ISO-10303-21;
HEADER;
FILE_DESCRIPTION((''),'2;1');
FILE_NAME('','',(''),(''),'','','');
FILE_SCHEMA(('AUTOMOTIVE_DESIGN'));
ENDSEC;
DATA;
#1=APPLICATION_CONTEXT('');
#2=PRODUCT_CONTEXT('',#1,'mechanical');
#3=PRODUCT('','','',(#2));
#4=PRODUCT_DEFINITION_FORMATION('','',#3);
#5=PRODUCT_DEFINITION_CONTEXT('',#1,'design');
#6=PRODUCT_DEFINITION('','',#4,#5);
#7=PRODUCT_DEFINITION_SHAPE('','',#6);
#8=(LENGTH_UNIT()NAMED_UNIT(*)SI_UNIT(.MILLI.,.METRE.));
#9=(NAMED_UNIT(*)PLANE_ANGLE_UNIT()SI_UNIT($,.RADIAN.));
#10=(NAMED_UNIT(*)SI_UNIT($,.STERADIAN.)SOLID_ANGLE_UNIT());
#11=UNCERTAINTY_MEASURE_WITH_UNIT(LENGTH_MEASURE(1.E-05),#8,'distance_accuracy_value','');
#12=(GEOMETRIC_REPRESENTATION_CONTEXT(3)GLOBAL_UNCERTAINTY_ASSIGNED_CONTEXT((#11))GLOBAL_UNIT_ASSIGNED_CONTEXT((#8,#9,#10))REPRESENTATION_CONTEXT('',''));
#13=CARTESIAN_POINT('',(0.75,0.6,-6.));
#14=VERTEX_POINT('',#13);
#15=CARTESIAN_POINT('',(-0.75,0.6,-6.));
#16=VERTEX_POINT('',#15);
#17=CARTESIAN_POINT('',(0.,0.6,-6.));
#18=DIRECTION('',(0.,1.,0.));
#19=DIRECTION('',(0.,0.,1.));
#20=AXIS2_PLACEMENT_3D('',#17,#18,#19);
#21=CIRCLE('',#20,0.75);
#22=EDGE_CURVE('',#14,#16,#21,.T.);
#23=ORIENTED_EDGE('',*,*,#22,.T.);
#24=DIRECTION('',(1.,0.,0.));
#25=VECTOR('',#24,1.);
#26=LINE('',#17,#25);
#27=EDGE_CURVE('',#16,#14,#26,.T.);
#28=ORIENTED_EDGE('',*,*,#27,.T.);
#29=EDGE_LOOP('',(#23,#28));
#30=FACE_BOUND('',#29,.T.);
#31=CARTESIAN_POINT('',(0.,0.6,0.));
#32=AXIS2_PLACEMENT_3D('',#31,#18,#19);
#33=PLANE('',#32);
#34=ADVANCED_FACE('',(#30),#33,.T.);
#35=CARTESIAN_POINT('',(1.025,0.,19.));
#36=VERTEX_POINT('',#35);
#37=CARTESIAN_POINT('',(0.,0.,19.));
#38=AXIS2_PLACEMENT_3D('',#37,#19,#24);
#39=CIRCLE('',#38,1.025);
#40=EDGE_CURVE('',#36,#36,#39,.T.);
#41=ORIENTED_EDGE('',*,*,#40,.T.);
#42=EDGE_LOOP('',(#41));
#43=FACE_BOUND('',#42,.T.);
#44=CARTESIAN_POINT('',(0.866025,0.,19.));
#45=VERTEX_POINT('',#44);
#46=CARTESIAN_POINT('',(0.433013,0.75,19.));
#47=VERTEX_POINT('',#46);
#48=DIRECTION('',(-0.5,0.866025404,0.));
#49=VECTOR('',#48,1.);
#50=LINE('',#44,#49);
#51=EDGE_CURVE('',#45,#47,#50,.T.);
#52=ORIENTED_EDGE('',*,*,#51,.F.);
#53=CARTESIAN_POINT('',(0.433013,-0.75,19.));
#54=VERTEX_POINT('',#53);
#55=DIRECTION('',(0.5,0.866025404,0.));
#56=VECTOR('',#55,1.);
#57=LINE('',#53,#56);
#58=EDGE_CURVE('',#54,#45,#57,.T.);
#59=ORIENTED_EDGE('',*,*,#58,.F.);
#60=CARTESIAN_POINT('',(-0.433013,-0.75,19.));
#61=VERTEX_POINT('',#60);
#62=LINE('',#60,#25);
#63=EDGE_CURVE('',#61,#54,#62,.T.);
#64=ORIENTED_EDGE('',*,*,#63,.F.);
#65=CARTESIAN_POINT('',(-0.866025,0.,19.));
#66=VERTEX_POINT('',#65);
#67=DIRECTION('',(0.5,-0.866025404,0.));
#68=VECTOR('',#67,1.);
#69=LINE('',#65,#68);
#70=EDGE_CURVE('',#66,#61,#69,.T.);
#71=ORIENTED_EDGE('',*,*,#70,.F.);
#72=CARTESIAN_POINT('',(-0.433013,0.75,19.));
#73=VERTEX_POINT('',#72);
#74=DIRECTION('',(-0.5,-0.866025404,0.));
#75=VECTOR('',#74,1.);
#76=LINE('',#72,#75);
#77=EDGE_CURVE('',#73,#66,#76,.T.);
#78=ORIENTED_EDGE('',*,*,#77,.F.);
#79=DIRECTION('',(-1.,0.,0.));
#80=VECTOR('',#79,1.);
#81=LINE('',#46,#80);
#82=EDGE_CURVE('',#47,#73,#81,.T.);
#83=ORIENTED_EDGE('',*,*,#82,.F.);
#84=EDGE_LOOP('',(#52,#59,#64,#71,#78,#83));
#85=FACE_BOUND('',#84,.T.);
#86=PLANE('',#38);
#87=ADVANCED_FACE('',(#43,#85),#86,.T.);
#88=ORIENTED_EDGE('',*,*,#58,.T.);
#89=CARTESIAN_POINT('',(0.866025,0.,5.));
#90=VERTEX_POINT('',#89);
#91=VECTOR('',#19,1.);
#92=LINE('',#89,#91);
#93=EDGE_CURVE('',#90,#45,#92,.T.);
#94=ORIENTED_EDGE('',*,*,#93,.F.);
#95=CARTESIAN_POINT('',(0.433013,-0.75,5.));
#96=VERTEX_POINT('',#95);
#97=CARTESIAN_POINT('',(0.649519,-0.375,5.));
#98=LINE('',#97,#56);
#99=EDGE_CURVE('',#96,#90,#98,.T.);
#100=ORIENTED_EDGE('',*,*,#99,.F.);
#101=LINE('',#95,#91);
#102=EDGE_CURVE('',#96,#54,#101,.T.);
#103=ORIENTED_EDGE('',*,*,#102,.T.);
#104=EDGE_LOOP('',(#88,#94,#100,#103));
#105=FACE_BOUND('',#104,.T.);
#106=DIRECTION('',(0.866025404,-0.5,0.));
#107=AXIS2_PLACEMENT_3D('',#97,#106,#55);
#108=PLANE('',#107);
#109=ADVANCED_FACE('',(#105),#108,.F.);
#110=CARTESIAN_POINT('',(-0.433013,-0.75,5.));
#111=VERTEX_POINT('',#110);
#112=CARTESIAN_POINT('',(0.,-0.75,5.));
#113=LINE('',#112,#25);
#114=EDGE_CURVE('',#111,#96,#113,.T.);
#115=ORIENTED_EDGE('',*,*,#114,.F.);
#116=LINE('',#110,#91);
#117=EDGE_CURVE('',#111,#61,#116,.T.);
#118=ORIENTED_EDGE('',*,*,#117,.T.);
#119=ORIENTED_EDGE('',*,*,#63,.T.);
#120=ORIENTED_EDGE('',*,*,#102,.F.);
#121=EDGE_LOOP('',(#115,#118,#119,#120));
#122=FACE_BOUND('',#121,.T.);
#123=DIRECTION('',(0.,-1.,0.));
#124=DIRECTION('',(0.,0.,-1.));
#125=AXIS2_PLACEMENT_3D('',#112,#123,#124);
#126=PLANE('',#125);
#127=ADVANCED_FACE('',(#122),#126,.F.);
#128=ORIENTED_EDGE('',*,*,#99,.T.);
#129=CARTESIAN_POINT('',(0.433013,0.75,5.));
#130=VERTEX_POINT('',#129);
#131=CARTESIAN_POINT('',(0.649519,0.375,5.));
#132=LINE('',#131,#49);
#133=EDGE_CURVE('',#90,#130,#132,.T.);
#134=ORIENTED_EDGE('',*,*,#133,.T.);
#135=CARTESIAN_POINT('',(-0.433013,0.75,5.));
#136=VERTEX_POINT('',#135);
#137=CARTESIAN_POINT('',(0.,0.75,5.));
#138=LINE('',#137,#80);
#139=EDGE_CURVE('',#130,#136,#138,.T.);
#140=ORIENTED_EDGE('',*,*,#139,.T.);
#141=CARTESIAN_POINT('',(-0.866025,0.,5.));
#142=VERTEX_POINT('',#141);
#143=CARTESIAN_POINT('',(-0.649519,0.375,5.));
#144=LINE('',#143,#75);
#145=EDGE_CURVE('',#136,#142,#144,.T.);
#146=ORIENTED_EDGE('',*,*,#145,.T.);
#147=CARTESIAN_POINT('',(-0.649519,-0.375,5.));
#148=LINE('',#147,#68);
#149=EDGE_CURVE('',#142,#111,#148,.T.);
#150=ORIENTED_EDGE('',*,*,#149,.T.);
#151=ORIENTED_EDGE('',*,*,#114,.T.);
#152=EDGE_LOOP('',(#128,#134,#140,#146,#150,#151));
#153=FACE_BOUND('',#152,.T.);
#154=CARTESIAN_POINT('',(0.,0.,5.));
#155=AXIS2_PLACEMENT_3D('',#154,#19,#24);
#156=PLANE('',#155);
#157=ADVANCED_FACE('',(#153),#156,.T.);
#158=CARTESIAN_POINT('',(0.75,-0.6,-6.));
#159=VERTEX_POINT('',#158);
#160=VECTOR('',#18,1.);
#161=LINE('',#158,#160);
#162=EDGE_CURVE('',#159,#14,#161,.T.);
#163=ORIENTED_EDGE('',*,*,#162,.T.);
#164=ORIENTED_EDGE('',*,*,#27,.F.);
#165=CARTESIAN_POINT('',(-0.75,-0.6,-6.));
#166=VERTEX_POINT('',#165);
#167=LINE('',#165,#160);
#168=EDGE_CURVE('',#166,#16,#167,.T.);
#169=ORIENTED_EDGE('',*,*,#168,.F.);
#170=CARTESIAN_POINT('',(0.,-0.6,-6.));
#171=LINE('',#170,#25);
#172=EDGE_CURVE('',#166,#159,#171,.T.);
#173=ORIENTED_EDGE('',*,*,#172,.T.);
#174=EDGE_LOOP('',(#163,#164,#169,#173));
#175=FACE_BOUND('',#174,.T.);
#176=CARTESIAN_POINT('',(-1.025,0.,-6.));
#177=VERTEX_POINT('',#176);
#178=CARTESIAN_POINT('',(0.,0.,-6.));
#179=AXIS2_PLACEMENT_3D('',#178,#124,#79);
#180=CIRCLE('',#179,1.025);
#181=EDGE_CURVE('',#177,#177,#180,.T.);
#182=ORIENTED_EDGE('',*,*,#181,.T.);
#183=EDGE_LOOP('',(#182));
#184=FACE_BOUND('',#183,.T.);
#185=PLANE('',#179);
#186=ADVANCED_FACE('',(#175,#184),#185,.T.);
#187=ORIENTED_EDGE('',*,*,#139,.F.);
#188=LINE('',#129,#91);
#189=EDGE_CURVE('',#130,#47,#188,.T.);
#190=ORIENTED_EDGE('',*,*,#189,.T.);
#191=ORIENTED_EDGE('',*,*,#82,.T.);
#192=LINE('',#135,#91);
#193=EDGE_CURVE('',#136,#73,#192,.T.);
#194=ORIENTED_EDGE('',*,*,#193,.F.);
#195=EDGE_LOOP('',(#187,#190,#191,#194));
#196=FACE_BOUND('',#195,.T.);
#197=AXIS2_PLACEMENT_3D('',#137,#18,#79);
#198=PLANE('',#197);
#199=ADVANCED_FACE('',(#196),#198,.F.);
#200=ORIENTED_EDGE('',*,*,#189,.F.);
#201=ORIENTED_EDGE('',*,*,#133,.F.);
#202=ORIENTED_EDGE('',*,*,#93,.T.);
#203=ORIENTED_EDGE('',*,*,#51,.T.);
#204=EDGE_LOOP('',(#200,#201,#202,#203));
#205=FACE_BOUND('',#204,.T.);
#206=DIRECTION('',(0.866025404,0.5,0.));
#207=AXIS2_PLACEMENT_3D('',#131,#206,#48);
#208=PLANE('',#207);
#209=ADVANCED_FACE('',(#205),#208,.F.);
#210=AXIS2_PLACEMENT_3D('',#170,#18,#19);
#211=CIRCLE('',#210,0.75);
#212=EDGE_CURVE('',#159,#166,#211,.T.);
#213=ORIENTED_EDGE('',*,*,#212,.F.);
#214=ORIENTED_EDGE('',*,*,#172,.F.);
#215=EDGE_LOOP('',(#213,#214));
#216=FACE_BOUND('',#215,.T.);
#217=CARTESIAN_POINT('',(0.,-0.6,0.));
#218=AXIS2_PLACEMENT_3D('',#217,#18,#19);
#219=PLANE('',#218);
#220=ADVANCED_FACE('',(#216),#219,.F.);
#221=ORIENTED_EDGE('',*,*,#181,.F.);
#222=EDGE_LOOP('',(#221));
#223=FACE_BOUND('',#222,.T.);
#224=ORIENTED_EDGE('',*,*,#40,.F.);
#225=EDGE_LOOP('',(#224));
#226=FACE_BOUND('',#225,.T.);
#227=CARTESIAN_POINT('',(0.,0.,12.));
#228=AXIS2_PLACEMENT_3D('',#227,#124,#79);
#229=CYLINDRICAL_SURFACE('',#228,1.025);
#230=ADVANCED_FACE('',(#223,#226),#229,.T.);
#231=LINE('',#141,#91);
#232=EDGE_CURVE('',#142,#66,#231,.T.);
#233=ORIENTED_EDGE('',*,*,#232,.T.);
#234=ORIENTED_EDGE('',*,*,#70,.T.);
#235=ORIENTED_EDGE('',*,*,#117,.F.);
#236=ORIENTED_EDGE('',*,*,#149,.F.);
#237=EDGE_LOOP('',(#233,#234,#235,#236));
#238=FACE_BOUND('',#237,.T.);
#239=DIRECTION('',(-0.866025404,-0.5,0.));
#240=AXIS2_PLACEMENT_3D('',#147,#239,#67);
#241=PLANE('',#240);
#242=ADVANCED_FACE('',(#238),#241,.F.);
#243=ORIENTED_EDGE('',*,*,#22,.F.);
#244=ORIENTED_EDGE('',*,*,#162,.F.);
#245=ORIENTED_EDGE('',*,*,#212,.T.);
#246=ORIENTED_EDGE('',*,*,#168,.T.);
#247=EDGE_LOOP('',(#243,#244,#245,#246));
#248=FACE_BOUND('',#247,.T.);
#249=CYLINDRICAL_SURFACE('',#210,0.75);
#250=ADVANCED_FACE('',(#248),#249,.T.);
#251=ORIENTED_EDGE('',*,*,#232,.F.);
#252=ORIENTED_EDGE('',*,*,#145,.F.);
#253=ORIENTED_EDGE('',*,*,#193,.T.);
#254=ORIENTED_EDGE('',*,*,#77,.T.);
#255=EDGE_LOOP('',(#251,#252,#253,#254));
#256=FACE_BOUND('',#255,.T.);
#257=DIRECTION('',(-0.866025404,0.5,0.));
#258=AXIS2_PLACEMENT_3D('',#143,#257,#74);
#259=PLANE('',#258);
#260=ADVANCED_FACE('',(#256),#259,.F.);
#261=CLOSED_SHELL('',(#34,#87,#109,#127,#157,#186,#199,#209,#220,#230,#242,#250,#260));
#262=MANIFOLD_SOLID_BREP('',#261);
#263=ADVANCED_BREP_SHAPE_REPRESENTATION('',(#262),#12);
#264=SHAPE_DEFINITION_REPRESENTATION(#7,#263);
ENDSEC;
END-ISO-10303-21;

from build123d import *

# Parameters (mm, degrees)
SKETCH1_R                = 1.025
BOSS_EXTRUDE1_DEPTH      = 12
CUT_EXTRUDE1_DEPTH       = 7
BOSS_EXTRUDE2_START      = 4
SKETCH3_R                = 1.025
BOSS_EXTRUDE2_DEPTH      = 4
SKETCH6_R                = 1.025
BOSS_EXTRUDE5_DEPTH      = 7
BOSS_EXTRUDE6_START      = 2
SKETCH7_R                = 1.025
BOSS_EXTRUDE6_DEPTH      = 2
BOSS_EXTRUDE8_DEPTH      = 0.6
BOSS_EXTRUDE8_DEPTH_BACK = 0.6


with BuildPart() as part:
    # Sketch1 → Boss-Extrude1 (new body)
    with BuildSketch(Plane.XY):
        Circle(SKETCH1_R)
    extrude(amount=BOSS_EXTRUDE1_DEPTH)

    # Sketch2 → Cut-Extrude1 (cut)
    with BuildSketch(Plane.XY.offset(12)):
        Polygon((0.866025404, 0), (0.433012702, 0.75), (-0.433012702, 0.75), (-0.866025404, 0), (-0.433012702, -0.75), (0.433012702, -0.75), align=None)
    extrude(amount=-CUT_EXTRUDE1_DEPTH, mode=Mode.SUBTRACT)

    # Sketch3 → Boss-Extrude2 (add)
    with BuildSketch(Plane(origin=(0, 0, 0), x_dir=(-1, 0, 0), z_dir=(0, 0, -1)).offset(BOSS_EXTRUDE2_START)):
        Circle(SKETCH3_R)
    extrude(amount=-BOSS_EXTRUDE2_DEPTH)

    # Sketch6 → Boss-Extrude5 (add)
    with BuildSketch(Plane.XY.offset(12)):
        with Locations(Location((0, 0, 0), (0, 0, 180))):
            Circle(SKETCH6_R)
        Polygon((0.866025404, 0), (0.433012702, 0.75), (-0.433012702, 0.75), (-0.866025404, 0), (-0.433012702, -0.75), (0.433012702, -0.75), align=None, mode=Mode.SUBTRACT)
    extrude(amount=BOSS_EXTRUDE5_DEPTH)

    # Sketch7 → Boss-Extrude6 (add)
    with BuildSketch(Plane(origin=(0, 0, -4), x_dir=(-1, 0, 0), z_dir=(0, 0, -1)).offset(BOSS_EXTRUDE6_START)):
        Circle(SKETCH7_R)
    extrude(amount=-BOSS_EXTRUDE6_DEPTH)

    # Sketch8 → Boss-Extrude8 (add, two sides: drawn at the far end of the back side and taken through both)
    with BuildSketch(Plane(origin=(0, 0, 0), x_dir=(1, 0, 0), z_dir=(0, 1, 0)).offset(-BOSS_EXTRUDE8_DEPTH_BACK)):
        with BuildLine():
            ThreePointArc((0.75, 6), (0, 6.75), (-0.75, 6))
            Line((-0.75, 6), (0.75, 6))
        make_face()
        with BuildLine():
            Line((0.75, 6), (-0.75, 6))
            ThreePointArc((-0.75, 6), (0, 5.25), (0.75, 6))
        make_face()
    extrude(amount=BOSS_EXTRUDE8_DEPTH + BOSS_EXTRUDE8_DEPTH_BACK)


solid = part.part
